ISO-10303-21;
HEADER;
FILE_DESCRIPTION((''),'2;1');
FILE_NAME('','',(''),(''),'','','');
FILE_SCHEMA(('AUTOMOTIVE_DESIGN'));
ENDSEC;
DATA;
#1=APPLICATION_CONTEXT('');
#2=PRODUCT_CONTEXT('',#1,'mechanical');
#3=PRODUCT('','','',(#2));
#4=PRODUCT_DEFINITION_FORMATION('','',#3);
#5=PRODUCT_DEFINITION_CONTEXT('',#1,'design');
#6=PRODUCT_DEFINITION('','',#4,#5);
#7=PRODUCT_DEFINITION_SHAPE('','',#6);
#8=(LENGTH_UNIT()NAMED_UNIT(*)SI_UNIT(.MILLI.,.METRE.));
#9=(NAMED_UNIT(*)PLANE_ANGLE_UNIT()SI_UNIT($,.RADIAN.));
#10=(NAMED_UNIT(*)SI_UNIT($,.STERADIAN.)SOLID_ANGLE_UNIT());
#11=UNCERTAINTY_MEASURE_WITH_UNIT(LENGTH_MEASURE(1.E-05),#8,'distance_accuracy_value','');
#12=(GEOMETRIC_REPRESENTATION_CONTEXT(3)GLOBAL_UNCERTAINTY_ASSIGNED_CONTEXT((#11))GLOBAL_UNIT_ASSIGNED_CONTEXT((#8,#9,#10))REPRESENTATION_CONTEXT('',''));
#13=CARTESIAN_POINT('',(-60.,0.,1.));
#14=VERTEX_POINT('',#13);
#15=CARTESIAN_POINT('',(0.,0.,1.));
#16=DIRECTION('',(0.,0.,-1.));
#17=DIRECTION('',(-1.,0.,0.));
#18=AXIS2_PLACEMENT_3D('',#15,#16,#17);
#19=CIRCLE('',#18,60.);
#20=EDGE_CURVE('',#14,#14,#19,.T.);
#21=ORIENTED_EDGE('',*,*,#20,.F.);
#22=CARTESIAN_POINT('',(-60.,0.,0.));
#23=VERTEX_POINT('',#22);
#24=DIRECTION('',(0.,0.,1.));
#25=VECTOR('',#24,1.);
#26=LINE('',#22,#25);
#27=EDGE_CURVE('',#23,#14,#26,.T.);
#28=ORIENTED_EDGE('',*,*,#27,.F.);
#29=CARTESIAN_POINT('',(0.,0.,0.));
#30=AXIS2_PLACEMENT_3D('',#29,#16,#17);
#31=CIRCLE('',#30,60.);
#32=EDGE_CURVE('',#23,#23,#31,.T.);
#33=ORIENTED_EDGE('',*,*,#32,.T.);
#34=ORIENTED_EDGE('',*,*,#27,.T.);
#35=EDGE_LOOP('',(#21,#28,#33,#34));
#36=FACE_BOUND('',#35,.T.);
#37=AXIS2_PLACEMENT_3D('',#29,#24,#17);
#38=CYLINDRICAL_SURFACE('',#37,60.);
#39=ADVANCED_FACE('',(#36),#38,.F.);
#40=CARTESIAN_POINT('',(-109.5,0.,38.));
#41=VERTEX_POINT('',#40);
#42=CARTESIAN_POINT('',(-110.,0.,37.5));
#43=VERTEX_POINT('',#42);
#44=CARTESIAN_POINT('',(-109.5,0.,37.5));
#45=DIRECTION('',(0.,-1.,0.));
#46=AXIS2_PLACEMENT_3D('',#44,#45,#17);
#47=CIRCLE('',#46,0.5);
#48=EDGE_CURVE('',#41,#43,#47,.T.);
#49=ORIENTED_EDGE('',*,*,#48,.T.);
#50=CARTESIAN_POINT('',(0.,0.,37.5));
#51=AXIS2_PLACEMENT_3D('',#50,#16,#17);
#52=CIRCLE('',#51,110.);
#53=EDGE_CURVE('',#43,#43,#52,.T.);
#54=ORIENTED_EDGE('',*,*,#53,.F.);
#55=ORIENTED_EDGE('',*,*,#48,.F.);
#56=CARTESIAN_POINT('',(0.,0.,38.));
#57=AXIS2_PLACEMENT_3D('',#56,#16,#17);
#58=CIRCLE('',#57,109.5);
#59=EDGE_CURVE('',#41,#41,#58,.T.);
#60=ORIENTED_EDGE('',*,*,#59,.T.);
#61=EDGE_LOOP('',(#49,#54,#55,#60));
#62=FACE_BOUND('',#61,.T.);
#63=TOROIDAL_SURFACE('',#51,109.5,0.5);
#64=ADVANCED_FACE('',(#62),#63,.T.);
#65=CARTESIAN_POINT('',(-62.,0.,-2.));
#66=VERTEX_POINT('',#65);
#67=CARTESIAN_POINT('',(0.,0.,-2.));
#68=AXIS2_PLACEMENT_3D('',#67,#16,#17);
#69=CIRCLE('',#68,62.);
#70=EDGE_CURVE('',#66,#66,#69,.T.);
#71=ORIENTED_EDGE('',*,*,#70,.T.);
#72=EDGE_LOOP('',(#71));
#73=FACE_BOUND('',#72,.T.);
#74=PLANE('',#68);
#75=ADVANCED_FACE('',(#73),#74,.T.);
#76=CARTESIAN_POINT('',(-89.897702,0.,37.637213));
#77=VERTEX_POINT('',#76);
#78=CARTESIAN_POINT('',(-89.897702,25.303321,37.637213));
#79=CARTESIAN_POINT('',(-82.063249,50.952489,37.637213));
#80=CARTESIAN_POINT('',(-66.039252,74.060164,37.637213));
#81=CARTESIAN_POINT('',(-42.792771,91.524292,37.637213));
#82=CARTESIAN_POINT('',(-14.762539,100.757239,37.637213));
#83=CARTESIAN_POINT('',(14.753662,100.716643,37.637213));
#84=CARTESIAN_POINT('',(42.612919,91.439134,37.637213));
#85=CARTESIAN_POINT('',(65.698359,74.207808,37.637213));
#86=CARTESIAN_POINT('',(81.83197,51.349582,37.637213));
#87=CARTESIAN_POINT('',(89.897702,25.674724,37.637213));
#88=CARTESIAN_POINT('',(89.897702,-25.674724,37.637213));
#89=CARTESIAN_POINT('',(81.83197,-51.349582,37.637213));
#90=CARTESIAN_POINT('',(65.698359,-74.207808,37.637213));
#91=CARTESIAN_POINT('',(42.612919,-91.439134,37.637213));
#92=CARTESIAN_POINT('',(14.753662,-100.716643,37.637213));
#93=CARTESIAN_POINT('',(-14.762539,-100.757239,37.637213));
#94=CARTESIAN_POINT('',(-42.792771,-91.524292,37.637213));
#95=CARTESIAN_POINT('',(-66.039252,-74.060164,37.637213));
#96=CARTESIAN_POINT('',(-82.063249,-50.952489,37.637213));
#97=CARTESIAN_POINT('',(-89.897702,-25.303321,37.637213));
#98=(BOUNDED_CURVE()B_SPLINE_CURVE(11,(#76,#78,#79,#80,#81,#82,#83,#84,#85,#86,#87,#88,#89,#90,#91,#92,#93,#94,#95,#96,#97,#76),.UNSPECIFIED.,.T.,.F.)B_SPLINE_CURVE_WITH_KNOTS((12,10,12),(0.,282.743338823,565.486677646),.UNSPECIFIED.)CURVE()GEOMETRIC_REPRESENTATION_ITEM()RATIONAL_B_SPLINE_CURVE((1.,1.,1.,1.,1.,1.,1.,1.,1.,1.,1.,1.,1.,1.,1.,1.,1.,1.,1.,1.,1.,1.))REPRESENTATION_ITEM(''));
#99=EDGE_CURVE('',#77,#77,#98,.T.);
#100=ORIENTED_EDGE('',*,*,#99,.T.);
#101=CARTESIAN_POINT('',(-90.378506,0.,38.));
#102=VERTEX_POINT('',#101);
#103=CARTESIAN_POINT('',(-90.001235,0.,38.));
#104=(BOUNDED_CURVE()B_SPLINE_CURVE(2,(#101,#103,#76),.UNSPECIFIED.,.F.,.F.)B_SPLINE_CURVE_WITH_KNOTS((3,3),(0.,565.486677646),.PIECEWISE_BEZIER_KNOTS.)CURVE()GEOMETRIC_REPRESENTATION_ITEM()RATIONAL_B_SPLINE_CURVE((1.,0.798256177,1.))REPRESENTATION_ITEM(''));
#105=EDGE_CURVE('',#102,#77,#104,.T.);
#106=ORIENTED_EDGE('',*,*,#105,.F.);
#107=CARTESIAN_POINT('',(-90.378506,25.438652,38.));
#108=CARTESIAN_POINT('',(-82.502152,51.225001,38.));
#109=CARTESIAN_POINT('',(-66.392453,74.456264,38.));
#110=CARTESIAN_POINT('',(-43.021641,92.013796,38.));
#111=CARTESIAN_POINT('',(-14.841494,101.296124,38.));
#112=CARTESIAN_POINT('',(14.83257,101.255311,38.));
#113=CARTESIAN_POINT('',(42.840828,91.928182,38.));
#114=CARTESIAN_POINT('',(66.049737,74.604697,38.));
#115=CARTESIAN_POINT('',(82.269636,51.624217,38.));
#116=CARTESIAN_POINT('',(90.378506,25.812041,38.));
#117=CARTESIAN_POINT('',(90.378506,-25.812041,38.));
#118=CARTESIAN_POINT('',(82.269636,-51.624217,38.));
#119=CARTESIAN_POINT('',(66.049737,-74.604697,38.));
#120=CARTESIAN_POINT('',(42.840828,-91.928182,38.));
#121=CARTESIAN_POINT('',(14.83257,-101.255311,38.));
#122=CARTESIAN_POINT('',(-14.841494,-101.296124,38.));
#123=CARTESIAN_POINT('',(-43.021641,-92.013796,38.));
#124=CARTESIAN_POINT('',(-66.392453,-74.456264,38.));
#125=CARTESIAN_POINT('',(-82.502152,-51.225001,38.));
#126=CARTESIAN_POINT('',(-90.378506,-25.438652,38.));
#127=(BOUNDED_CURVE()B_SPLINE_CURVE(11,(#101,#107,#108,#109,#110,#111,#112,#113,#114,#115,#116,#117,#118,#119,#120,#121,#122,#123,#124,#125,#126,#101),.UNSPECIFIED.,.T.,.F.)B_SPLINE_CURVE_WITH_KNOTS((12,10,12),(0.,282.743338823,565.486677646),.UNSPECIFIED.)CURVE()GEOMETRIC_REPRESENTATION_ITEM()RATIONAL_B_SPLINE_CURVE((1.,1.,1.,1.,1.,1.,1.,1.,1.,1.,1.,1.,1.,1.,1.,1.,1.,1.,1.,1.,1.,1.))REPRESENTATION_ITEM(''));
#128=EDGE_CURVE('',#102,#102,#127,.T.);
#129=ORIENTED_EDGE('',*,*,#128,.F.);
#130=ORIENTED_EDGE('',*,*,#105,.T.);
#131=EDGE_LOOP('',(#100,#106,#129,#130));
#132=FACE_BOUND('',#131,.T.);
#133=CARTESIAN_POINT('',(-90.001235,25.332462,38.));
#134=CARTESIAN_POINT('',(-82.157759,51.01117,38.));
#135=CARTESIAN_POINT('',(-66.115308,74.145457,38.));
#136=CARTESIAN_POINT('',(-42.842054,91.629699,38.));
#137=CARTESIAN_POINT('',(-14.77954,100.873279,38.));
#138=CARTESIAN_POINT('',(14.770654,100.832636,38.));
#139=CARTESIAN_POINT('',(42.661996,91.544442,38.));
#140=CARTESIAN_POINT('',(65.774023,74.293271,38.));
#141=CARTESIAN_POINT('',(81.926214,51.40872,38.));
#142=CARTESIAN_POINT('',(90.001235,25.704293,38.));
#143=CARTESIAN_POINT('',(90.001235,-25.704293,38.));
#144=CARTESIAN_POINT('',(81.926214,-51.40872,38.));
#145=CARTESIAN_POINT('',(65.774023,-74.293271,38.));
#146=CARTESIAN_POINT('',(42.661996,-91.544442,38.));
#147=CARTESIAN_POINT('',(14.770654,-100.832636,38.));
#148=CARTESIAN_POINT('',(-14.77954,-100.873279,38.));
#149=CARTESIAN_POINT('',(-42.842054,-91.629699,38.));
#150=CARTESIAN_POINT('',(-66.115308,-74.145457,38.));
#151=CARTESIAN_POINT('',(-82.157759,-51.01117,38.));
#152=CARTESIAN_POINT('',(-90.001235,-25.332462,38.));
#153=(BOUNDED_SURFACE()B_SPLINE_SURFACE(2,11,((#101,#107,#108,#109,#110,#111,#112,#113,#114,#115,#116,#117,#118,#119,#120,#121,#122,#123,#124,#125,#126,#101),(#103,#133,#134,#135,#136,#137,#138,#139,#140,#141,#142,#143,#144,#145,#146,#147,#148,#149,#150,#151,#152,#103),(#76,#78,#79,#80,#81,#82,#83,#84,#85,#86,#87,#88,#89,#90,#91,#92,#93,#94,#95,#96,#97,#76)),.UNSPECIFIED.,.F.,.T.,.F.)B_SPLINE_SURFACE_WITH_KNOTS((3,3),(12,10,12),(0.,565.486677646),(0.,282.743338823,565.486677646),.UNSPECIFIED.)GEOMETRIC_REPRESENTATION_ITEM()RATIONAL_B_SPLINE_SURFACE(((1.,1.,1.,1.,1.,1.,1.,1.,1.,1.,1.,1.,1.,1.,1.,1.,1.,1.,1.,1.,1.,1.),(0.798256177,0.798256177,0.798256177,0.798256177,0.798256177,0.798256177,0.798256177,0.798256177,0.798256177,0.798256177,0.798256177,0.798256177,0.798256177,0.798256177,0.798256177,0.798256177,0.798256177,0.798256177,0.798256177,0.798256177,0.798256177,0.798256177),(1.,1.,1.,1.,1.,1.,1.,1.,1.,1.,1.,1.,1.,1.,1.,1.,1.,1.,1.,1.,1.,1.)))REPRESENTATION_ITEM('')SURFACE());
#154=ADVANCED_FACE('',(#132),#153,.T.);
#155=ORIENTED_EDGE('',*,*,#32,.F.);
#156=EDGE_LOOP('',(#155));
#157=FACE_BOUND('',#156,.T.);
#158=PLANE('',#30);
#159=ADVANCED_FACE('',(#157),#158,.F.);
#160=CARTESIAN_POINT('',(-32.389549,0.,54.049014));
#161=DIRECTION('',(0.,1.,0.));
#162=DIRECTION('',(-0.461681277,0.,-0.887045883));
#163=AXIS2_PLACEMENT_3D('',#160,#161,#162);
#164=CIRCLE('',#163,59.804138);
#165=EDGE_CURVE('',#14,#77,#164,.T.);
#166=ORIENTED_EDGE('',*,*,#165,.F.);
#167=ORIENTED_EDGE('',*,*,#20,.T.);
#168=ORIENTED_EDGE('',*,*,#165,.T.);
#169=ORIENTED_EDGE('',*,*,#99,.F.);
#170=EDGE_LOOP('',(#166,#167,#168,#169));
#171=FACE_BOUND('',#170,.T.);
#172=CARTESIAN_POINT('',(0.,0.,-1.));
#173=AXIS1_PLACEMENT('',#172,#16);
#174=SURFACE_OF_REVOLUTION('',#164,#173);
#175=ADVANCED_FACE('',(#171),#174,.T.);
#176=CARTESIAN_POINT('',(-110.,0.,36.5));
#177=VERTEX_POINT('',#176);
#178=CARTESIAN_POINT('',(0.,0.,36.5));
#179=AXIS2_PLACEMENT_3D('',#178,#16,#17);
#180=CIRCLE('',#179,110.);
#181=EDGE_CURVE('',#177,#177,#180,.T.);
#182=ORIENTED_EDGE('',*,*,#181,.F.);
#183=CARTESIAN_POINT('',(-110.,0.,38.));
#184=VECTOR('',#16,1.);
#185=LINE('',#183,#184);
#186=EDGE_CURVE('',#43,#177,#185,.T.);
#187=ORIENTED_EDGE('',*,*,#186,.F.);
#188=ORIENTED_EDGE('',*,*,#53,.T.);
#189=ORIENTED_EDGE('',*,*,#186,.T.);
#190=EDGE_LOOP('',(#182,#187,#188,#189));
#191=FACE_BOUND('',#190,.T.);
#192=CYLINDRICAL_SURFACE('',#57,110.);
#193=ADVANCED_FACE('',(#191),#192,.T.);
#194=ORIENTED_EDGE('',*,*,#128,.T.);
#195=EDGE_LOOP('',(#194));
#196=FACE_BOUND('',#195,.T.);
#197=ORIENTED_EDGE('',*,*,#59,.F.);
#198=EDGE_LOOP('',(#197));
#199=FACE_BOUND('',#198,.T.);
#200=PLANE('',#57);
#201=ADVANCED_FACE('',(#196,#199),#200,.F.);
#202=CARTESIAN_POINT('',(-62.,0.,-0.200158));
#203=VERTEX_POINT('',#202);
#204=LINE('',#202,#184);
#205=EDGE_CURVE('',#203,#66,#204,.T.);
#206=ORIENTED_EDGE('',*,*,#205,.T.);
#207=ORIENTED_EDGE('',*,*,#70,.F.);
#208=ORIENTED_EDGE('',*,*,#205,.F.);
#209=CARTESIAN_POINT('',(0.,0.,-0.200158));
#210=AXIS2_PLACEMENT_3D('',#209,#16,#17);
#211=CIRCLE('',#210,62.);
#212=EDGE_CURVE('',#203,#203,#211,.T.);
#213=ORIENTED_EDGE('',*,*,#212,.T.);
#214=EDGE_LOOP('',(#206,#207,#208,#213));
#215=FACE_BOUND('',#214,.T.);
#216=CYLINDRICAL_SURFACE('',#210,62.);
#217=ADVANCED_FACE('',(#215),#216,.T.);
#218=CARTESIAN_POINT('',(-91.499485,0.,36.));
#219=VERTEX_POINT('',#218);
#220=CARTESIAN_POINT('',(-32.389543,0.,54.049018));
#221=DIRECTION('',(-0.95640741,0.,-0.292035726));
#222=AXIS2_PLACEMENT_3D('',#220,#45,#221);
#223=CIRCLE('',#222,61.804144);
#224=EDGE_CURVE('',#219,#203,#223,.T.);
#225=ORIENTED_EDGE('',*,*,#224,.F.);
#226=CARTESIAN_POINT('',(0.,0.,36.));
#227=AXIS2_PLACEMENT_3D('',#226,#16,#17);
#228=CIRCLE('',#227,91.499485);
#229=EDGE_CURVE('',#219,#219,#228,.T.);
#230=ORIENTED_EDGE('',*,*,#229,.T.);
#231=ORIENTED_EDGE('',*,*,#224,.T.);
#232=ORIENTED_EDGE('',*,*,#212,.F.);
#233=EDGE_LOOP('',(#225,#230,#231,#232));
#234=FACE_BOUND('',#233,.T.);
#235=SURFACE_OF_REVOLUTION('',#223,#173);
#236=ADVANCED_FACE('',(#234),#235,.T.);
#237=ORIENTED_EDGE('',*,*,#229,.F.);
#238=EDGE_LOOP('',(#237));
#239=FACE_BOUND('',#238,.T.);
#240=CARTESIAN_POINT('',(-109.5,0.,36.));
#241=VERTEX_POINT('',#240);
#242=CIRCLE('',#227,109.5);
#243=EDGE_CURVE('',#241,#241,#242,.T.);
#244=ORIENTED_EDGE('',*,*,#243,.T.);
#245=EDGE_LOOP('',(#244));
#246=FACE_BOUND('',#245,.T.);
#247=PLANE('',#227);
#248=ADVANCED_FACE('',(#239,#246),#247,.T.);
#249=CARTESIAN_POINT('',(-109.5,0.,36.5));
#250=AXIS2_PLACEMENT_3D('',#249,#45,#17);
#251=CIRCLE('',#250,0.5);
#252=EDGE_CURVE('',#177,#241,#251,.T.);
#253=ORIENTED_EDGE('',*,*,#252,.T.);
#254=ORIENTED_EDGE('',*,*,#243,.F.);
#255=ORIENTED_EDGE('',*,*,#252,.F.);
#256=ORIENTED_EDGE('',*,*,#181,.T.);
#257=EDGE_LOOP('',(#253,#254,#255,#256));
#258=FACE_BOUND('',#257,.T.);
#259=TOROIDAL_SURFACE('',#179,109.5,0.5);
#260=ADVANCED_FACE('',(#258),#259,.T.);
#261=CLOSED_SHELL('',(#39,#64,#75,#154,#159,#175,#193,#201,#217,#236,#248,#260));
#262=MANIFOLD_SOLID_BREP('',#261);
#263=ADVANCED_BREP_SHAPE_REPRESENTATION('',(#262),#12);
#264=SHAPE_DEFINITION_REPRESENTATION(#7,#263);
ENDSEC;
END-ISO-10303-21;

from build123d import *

# Parameters (mm, degrees)
F2_R = 0.5


with BuildPart() as f1:
    # F0 (on Front) → F1 (revolve)
    with BuildSketch(Plane.XZ):
        with BuildLine():
            Line((-90, 38), (-110, 38))
            Line((-110, 38), (-110, 36))
            Line((-110, 36), (-91.499485, 36))
            ThreePointArc((-91.499485, 36), (-80.300295, 15.006578), (-62, -0.200158))
            Line((-62, -0.200158), (-62, -2))
            Line((-62, -2), (0, -2))
            Line((0, -2), (0, 0))
            Line((0, 0), (-60, 0))
            Line((-60, 0), (-60, 1))
            ThreePointArc((-60, 1), (-78.842757, 16.384251), (-90, 38))
        make_face()
    revolve(axis=Axis((0, 0, -1), (0, 0, -1)))

    # F2
    f2_edges = [f1.edges().sort_by_distance(p)[0] for p in [
        (110, 0, 36),
        (110, 0, 38),
        (90, 0, 38),
    ]]
    fillet(f2_edges, radius=F2_R)


solid = f1.part
